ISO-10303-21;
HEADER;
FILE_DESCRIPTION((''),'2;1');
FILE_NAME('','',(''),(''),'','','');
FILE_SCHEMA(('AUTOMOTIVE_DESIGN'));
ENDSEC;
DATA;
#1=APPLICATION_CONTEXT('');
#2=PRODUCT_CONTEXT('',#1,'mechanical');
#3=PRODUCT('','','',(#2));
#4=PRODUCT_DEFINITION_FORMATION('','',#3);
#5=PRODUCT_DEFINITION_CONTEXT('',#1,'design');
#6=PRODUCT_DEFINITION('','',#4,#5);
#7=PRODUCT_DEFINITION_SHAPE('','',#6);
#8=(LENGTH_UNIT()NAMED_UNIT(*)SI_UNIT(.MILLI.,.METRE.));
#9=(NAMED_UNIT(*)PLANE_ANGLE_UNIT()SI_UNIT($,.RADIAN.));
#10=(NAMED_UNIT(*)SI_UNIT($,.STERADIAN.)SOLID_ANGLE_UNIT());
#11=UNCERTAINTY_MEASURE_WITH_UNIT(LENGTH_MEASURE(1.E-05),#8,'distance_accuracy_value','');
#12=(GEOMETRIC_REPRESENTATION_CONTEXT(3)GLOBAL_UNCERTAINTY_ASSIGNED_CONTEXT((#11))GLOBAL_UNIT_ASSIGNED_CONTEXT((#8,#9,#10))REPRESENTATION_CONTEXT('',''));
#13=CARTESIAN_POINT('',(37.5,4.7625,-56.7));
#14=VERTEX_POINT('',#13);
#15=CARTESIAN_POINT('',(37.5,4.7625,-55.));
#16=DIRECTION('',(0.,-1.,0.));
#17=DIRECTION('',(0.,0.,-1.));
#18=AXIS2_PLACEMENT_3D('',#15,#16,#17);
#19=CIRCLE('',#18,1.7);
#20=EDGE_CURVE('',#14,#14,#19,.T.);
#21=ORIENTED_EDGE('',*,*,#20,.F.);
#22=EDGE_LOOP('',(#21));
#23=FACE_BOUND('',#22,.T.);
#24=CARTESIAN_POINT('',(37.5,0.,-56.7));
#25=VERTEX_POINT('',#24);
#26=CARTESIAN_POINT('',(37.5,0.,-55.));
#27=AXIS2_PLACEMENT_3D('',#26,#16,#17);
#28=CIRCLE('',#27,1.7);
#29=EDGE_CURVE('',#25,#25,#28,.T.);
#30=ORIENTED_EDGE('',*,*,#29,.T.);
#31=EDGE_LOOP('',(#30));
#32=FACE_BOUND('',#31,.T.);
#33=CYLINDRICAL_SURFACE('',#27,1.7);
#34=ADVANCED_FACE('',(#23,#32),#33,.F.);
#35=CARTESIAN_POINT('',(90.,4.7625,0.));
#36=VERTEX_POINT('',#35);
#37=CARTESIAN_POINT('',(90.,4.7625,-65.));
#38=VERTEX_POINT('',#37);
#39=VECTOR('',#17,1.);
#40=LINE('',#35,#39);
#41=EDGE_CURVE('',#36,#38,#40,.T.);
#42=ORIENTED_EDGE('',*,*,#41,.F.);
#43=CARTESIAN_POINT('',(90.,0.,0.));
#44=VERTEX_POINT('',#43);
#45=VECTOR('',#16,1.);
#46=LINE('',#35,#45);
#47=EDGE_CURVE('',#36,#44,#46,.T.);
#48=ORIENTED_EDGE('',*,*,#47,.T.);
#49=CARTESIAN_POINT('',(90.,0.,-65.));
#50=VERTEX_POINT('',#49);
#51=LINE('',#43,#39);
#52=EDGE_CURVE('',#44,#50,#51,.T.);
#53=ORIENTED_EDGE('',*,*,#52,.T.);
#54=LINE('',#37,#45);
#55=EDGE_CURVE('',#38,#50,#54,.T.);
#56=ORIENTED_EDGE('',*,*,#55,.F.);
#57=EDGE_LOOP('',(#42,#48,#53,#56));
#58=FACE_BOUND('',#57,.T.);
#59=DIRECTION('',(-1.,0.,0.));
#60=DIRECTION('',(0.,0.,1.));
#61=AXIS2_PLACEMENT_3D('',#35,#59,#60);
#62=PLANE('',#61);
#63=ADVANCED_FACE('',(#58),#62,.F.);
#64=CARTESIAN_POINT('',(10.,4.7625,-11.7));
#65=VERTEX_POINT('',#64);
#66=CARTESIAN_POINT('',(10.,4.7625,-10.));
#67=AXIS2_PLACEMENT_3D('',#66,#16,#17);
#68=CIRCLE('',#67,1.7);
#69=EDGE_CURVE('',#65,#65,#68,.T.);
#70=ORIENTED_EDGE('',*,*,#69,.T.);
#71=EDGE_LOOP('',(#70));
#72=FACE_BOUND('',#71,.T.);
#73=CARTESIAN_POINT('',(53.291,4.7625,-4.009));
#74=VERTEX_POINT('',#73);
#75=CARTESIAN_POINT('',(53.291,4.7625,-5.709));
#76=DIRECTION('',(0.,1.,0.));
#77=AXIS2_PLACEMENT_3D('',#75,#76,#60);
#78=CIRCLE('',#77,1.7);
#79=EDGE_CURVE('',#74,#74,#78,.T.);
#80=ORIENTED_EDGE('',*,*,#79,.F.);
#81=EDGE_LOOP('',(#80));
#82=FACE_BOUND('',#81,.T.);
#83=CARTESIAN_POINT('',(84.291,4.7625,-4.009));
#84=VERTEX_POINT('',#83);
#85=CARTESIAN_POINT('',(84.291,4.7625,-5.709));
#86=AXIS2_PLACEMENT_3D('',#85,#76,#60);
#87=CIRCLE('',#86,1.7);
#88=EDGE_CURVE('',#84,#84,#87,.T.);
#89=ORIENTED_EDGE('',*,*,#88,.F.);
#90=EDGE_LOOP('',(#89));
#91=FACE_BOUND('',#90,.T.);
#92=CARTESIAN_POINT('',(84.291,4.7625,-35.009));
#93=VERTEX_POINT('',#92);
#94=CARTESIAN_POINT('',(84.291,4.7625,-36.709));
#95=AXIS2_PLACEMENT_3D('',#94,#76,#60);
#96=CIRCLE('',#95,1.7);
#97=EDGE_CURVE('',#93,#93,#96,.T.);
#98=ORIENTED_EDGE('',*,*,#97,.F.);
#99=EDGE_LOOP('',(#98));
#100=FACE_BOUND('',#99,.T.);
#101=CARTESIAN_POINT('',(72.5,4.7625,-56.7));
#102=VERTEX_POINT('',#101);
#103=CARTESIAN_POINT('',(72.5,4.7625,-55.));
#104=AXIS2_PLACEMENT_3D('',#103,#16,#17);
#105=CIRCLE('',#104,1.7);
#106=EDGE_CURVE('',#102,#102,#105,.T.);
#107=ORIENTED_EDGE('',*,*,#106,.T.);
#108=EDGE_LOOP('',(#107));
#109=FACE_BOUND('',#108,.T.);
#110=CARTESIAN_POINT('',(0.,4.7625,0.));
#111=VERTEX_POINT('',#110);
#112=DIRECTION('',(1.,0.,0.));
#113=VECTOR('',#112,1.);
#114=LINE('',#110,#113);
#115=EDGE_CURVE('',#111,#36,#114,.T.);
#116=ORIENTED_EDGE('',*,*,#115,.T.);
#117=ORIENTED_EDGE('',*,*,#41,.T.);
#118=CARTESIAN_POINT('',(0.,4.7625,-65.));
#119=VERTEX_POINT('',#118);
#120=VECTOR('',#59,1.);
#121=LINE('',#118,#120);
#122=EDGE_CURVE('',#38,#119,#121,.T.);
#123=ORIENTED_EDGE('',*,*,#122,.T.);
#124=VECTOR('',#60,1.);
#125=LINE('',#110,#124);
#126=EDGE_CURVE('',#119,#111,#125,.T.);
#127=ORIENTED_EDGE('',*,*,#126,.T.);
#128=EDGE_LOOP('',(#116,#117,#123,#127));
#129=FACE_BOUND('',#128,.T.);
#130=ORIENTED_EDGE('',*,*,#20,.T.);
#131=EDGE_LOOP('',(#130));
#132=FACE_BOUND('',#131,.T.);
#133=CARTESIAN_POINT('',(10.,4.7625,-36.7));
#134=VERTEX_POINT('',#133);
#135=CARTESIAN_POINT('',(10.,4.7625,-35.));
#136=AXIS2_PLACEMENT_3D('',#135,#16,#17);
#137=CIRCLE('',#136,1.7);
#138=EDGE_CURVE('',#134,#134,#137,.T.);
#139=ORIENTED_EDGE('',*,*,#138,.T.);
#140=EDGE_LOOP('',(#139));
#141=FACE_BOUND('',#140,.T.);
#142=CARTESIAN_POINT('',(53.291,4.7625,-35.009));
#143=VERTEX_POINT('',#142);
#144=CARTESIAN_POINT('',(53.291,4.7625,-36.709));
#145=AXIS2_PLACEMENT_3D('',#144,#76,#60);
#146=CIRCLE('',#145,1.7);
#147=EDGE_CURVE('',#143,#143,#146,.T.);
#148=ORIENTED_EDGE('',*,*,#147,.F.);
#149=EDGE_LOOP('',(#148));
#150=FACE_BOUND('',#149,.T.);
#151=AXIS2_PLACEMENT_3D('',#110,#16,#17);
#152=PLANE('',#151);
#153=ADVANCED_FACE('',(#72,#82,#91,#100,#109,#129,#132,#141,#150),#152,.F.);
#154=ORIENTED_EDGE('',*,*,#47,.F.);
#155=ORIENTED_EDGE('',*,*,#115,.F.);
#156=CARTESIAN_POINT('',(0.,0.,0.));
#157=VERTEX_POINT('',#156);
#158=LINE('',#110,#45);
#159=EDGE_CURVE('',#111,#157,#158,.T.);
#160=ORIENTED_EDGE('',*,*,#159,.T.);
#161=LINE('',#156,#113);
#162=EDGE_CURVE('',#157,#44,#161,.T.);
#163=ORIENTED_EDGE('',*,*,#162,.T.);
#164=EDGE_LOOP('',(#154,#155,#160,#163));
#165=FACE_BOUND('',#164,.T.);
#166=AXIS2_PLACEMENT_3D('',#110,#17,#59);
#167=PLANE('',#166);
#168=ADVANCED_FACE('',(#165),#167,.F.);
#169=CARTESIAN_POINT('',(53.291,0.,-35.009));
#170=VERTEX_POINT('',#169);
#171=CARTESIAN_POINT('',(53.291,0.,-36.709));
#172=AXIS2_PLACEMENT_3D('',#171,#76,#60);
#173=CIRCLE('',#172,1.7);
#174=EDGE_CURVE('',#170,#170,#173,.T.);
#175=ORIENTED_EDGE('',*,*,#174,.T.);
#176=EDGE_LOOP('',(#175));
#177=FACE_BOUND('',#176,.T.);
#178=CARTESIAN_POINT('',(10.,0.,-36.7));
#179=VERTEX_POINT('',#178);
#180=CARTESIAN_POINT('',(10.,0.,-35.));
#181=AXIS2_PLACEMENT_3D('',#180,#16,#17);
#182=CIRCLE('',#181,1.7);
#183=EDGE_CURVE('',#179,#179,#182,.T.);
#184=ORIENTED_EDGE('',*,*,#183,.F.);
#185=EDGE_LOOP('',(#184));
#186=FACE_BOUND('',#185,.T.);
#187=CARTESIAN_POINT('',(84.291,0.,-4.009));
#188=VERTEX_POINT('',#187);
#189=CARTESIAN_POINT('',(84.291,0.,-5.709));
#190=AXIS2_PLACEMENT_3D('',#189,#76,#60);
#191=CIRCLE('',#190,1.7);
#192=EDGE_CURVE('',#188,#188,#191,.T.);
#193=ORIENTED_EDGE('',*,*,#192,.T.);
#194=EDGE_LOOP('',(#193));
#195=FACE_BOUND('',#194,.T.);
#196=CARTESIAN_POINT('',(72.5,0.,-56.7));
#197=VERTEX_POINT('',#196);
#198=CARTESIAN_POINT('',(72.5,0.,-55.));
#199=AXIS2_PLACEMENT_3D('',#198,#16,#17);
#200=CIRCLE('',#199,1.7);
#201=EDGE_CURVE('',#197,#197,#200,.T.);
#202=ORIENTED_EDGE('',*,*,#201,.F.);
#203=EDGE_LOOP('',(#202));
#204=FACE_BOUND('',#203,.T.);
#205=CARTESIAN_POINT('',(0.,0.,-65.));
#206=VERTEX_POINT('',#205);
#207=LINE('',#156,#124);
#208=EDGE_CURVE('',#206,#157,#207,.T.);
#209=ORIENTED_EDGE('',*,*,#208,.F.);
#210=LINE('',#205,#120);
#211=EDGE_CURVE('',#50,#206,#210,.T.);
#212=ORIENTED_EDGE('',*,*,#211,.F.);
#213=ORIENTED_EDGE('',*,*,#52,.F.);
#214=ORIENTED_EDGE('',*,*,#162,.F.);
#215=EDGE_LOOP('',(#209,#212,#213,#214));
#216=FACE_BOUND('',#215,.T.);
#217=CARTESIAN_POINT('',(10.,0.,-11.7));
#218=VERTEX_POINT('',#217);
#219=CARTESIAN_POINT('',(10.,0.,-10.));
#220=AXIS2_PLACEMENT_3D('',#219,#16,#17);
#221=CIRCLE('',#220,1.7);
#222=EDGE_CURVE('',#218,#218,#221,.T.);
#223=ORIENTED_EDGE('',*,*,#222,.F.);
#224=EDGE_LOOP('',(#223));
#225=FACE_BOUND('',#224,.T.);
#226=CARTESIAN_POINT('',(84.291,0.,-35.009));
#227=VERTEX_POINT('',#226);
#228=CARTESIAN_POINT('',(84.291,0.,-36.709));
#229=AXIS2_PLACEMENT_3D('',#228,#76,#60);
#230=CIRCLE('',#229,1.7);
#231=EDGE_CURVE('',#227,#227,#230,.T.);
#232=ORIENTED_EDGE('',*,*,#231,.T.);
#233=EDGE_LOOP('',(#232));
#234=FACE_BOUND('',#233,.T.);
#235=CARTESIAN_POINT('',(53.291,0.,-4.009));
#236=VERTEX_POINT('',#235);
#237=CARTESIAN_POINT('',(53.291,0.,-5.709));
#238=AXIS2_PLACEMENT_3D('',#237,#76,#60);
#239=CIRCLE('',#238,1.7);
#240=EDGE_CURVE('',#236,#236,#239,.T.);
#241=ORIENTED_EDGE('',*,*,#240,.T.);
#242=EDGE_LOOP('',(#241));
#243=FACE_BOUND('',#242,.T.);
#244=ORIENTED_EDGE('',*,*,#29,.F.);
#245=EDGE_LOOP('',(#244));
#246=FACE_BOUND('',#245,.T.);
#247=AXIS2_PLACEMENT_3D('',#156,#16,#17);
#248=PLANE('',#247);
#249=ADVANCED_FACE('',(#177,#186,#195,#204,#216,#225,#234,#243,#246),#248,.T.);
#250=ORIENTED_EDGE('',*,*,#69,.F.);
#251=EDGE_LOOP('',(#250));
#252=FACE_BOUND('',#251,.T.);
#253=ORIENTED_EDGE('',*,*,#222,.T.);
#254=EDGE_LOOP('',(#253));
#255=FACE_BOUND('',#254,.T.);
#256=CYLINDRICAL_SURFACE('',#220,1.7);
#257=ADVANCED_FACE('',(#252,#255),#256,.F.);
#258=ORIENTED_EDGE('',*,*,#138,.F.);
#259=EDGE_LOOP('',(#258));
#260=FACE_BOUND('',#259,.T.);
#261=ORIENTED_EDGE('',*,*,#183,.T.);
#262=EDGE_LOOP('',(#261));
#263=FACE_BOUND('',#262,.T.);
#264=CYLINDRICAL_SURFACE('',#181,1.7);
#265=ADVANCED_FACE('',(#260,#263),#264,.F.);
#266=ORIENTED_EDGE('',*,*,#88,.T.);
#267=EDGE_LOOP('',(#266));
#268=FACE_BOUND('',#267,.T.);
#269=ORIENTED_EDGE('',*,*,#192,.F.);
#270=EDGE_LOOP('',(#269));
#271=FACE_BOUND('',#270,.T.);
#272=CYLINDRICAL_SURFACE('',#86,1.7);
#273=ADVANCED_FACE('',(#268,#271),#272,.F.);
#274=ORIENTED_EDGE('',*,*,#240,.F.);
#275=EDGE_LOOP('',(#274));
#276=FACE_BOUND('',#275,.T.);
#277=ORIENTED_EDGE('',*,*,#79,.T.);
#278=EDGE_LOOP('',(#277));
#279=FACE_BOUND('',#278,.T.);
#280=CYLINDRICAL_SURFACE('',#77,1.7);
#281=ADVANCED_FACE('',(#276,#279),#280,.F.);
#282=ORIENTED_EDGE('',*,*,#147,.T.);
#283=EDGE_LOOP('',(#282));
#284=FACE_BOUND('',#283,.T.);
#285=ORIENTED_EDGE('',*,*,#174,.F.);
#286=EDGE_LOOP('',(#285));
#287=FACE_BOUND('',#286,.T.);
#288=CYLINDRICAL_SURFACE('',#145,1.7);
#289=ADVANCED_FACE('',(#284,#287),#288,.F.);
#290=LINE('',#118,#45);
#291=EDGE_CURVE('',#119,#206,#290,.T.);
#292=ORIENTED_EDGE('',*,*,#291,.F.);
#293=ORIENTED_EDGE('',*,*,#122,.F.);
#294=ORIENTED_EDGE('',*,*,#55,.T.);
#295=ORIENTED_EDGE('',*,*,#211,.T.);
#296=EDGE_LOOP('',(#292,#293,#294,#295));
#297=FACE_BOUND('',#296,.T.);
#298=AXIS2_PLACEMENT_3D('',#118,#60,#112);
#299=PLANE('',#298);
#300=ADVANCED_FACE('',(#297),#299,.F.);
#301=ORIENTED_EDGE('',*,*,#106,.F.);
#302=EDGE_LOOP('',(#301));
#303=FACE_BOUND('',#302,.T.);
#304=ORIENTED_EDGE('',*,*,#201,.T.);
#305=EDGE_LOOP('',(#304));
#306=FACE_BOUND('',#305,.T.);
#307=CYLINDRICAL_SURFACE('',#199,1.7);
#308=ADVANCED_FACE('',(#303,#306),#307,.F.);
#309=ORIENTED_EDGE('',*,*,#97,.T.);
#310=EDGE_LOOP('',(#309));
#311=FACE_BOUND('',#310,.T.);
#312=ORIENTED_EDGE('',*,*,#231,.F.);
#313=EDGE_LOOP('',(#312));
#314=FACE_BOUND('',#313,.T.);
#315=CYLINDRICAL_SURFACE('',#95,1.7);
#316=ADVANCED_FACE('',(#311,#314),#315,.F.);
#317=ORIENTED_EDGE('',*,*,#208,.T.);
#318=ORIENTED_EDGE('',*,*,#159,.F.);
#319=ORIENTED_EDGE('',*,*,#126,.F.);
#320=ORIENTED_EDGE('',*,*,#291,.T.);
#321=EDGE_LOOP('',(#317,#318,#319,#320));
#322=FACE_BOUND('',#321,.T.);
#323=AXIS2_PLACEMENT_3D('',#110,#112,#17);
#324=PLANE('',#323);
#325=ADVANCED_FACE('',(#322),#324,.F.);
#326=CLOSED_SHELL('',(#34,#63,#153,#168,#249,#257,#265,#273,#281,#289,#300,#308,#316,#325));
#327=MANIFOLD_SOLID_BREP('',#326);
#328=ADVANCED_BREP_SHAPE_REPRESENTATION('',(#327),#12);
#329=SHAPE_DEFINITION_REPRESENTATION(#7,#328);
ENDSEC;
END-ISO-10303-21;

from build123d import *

# Parameters (mm, degrees)
SKETCH1_W            = 90
SKETCH1_H            = 65
BOSS_EXTRUDE1_DEPTH  = 4.7625
M3_CLEARANCE_HOLE1_D = 3.4
M3_CLEARANCE_HOLE2_D = 3.4


with BuildPart() as part:
    # Sketch1 → Boss-Extrude1 (new body)
    with BuildSketch(Plane(origin=(0, 0, 0), x_dir=(1, 0, 0), z_dir=(0, 1, 0))):
        with Locations((45, 32.5)):
            Rectangle(SKETCH1_W, SKETCH1_H)
    extrude(amount=BOSS_EXTRUDE1_DEPTH)

    # M3 Clearance Hole1 (through all)
    with Locations(Plane(origin=(0, 4.7625, 0), x_dir=(1, 0, 0), z_dir=(0, 1, 0))):
        with Locations((84.291, 5.709), (84.291, 36.709), (53.291, 36.709), (53.291, 5.709)):
            Hole(M3_CLEARANCE_HOLE1_D / 2)

    # M3 Clearance Hole2 (through all)
    with Locations(Plane(origin=(0, 0, 0), x_dir=(-1, 0, 0), z_dir=(0, -1, 0))):
        with Locations((-37.5, 55), (-72.5, 55), (-10, 35), (-10, 10)):
            Hole(M3_CLEARANCE_HOLE2_D / 2)


solid = part.part
